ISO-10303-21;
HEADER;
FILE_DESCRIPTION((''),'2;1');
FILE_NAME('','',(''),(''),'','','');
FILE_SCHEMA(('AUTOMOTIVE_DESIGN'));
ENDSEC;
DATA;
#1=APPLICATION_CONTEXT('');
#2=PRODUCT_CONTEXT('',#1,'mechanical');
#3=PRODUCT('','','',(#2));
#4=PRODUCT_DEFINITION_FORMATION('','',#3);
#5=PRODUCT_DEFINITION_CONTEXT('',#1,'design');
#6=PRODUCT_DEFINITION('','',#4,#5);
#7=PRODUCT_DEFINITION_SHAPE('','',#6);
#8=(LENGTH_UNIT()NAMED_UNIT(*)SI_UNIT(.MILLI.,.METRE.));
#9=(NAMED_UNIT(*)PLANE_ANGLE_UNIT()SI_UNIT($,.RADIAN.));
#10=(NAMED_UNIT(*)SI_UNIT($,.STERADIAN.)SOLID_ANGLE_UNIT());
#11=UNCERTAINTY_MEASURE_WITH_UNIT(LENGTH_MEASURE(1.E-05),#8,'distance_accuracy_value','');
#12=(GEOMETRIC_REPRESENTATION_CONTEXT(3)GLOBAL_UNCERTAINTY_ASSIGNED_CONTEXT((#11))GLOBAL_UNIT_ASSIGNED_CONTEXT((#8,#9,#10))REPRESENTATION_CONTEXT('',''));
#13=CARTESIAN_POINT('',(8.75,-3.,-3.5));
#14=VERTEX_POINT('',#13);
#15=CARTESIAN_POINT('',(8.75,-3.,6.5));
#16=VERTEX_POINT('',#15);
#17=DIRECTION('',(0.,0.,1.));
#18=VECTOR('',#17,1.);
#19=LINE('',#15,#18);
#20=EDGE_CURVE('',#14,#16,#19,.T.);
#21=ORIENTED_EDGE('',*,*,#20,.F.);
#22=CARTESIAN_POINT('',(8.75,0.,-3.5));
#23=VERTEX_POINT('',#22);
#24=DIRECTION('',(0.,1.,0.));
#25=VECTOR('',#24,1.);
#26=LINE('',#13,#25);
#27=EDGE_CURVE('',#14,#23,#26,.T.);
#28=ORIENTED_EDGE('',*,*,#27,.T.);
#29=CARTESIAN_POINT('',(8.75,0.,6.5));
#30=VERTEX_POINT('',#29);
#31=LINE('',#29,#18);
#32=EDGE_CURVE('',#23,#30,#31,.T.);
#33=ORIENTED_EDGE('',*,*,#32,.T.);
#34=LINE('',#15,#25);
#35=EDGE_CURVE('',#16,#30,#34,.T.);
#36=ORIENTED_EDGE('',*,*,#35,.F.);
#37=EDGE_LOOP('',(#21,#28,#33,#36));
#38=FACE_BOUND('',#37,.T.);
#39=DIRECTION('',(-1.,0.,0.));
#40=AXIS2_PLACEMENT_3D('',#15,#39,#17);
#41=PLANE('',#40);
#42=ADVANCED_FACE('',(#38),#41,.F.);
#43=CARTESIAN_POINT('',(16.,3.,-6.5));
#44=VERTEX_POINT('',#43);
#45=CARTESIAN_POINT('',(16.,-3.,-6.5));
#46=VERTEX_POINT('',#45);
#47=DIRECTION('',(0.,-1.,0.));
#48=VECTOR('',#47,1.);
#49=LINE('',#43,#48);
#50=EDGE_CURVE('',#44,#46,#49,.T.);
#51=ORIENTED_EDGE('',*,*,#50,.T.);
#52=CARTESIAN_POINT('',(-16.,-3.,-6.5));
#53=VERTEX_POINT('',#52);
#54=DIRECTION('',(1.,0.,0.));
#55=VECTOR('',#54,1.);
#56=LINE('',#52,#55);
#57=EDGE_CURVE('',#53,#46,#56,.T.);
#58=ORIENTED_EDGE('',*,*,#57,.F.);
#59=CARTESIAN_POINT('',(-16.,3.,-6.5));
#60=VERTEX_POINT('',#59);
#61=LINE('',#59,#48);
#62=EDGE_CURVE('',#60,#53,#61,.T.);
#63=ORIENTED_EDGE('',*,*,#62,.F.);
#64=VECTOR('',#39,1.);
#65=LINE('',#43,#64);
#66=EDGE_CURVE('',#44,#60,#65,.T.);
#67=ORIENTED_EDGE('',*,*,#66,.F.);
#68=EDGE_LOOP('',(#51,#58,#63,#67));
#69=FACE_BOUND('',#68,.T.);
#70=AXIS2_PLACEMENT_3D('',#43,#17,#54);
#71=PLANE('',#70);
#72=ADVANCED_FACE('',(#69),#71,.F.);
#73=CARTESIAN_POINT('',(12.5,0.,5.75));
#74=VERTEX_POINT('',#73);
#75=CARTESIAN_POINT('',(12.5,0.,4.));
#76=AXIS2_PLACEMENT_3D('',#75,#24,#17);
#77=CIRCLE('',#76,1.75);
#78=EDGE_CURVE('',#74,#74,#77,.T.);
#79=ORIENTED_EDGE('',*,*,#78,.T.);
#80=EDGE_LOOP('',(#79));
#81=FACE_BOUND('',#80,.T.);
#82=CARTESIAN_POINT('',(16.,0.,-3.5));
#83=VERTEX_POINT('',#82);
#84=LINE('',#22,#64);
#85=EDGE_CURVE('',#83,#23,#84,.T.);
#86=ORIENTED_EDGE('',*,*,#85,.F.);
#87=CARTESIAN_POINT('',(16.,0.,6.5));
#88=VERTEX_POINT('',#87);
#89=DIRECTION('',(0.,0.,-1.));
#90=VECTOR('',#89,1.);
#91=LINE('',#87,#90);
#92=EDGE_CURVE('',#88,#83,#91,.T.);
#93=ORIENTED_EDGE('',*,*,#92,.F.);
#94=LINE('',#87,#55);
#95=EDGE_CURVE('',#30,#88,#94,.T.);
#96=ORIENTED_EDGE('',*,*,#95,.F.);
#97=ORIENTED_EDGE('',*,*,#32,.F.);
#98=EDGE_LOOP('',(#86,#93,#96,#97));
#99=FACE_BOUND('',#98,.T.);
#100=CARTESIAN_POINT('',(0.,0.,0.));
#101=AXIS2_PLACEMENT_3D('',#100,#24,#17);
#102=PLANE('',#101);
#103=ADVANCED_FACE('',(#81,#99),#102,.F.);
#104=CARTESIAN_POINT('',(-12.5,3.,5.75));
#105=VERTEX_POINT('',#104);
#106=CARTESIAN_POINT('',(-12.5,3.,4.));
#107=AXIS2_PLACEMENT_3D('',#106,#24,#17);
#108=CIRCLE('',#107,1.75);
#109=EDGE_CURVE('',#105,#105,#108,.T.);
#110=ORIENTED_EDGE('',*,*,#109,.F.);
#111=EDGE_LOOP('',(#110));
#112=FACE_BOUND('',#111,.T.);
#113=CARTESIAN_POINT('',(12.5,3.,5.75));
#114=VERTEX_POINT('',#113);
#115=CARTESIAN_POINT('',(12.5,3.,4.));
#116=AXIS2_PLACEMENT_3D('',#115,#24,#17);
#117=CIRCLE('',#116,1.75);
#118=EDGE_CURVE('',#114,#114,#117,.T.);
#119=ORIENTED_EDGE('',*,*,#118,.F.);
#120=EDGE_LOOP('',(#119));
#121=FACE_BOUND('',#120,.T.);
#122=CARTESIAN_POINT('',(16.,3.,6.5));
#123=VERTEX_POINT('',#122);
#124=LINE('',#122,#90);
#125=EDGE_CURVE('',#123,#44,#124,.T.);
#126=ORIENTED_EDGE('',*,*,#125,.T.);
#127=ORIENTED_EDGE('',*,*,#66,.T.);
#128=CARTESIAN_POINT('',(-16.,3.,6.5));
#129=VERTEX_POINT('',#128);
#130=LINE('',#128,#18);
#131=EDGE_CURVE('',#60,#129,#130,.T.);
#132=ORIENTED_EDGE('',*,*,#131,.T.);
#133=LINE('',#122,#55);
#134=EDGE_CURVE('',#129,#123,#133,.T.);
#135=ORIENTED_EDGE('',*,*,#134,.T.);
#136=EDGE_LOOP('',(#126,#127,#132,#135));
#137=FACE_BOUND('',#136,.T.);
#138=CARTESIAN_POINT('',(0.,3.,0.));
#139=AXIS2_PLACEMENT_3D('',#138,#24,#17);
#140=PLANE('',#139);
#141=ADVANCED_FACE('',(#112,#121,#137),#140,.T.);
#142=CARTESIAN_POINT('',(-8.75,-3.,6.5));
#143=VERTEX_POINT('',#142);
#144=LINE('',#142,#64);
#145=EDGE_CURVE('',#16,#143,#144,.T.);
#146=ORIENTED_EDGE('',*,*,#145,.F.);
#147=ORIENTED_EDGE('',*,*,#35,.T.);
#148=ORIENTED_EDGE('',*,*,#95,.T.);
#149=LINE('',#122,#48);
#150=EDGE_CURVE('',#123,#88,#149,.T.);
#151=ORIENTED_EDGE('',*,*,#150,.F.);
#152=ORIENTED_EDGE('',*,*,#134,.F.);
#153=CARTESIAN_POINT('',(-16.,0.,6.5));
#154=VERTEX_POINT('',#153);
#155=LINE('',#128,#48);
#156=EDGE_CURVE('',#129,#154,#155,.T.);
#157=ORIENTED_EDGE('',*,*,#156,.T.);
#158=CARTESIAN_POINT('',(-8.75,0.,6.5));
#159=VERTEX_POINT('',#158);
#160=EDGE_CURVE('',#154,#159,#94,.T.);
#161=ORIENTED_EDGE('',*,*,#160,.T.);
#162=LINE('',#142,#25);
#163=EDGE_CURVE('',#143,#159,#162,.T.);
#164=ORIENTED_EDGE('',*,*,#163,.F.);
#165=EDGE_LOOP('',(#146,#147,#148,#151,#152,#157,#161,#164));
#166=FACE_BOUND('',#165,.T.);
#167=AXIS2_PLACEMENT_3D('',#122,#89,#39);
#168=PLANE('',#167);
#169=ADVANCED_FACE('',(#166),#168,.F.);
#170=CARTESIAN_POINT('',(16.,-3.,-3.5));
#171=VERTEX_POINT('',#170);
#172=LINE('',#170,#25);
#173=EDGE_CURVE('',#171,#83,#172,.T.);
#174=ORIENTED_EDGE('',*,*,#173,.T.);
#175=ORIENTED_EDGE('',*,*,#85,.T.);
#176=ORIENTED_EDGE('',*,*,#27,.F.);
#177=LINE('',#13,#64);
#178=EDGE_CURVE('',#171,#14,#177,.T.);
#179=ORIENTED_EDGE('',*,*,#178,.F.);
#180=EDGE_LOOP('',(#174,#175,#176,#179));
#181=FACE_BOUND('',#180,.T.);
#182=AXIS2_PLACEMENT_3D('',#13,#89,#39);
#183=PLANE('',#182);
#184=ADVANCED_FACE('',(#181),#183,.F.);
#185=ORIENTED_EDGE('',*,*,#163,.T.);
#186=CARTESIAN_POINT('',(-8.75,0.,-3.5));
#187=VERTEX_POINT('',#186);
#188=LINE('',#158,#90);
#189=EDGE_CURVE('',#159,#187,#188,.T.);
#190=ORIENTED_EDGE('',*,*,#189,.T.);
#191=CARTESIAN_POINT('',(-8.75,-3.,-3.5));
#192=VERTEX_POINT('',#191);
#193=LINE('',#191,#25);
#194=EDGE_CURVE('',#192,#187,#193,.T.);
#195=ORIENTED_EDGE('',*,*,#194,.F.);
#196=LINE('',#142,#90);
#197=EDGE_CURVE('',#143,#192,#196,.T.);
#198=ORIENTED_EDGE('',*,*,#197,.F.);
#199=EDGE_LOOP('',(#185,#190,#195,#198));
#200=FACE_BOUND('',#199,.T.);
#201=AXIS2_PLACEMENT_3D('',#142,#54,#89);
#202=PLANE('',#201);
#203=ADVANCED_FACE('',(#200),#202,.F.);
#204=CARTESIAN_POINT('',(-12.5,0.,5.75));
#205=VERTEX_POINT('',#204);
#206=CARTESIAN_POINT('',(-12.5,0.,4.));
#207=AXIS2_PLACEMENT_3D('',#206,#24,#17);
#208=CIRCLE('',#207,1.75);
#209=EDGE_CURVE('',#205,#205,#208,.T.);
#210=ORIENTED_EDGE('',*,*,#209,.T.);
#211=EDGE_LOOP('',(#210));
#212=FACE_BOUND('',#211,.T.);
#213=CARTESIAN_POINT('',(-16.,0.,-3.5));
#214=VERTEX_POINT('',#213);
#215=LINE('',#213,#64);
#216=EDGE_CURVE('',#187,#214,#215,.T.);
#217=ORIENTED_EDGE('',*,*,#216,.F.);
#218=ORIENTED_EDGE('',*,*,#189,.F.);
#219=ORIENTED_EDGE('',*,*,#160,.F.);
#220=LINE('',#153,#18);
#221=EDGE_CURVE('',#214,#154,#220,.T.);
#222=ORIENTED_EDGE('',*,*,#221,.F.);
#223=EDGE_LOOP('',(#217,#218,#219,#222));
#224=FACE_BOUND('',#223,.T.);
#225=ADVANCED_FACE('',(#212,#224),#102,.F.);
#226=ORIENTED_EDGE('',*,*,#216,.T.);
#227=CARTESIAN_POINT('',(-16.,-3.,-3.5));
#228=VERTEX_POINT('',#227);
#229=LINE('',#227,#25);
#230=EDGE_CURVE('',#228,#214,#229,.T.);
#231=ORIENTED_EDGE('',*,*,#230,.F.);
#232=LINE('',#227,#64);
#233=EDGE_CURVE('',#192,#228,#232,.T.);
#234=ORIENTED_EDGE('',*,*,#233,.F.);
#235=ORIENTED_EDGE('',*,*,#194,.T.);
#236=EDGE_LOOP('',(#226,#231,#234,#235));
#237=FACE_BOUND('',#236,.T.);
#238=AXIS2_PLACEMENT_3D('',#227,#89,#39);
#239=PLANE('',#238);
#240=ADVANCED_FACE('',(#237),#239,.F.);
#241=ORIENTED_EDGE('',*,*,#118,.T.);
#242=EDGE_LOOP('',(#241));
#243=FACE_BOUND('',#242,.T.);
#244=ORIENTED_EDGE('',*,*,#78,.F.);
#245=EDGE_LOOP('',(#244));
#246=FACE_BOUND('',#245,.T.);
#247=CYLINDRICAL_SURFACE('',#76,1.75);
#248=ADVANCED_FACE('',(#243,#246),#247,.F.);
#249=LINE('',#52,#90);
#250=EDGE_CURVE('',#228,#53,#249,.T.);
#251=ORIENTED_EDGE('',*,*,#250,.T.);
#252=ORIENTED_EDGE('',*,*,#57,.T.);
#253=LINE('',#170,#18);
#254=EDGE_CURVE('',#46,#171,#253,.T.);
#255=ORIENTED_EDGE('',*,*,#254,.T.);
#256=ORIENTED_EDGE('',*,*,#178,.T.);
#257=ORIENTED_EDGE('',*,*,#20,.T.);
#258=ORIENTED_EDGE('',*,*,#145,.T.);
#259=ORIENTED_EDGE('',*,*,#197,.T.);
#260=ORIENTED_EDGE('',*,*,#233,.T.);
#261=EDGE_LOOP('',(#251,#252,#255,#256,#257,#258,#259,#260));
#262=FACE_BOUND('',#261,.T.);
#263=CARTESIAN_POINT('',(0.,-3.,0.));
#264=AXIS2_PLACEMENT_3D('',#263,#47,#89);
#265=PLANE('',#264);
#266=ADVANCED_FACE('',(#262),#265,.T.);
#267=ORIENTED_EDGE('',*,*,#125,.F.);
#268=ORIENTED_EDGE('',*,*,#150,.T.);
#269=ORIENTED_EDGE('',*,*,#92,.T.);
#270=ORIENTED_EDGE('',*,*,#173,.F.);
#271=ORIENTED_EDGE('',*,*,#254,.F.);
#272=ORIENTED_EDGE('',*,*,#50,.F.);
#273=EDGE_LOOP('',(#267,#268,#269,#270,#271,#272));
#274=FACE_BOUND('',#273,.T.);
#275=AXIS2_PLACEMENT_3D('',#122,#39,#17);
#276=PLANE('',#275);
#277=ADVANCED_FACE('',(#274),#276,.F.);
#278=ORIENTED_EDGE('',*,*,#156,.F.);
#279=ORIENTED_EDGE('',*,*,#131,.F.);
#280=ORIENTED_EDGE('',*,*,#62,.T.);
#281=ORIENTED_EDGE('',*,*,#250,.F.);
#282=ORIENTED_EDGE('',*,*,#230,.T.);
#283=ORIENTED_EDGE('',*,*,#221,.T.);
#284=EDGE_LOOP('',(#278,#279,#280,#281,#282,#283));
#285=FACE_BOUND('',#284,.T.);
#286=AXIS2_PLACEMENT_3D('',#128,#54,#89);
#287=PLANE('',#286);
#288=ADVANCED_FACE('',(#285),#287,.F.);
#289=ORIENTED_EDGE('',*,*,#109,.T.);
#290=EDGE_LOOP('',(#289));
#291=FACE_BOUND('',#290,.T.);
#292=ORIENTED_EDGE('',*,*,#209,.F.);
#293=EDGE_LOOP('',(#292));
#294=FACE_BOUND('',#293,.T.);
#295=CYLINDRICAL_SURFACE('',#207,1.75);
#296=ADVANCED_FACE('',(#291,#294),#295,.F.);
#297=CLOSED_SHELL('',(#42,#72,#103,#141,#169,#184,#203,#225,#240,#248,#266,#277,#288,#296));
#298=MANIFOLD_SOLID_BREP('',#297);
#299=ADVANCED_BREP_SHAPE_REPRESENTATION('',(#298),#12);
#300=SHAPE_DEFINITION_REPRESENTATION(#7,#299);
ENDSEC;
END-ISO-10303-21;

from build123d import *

# Parameters (mm, degrees)
SKETCH_1_W          = 32
SKETCH_1_H          = 13
EXTRUDE_1_DEPTH     = 3
SKETCH_2_R          = 1.75
CUT_EXTRUDE_1_DEPTH = 4
EXTRUDE_2_DEPTH     = 3


with BuildPart() as part:
    # 스케치1 → 보스-돌출1 (new body)
    with BuildSketch(Plane(origin=(0, 0, 0), x_dir=(1, 0, 0), z_dir=(0, 1, 0))):
        Rectangle(SKETCH_1_W, SKETCH_1_H)
    extrude(amount=EXTRUDE_1_DEPTH)

    # 스케치2 → 컷-돌출1 (cut, through all)
    with BuildSketch(Plane(origin=(0, 3, 0), x_dir=(1, 0, 0), z_dir=(0, 1, 0))):
        with Locations((-12.5, -4)):
            Circle(SKETCH_2_R)
        with Locations((12.5, -4)):
            Circle(SKETCH_2_R)
    extrude(amount=-CUT_EXTRUDE_1_DEPTH, mode=Mode.SUBTRACT)

    # 스케치3 → 보스-돌출2 (add)
    with BuildSketch(Plane.XZ):
        Polygon((-8.75, 6.5), (8.75, 6.5), (8.75, -3.5), (16, -3.5), (16, -6.5), (-16, -6.5), (-16, -3.5), (-8.75, -3.5), align=None)
    extrude(amount=EXTRUDE_2_DEPTH)


solid = part.part
